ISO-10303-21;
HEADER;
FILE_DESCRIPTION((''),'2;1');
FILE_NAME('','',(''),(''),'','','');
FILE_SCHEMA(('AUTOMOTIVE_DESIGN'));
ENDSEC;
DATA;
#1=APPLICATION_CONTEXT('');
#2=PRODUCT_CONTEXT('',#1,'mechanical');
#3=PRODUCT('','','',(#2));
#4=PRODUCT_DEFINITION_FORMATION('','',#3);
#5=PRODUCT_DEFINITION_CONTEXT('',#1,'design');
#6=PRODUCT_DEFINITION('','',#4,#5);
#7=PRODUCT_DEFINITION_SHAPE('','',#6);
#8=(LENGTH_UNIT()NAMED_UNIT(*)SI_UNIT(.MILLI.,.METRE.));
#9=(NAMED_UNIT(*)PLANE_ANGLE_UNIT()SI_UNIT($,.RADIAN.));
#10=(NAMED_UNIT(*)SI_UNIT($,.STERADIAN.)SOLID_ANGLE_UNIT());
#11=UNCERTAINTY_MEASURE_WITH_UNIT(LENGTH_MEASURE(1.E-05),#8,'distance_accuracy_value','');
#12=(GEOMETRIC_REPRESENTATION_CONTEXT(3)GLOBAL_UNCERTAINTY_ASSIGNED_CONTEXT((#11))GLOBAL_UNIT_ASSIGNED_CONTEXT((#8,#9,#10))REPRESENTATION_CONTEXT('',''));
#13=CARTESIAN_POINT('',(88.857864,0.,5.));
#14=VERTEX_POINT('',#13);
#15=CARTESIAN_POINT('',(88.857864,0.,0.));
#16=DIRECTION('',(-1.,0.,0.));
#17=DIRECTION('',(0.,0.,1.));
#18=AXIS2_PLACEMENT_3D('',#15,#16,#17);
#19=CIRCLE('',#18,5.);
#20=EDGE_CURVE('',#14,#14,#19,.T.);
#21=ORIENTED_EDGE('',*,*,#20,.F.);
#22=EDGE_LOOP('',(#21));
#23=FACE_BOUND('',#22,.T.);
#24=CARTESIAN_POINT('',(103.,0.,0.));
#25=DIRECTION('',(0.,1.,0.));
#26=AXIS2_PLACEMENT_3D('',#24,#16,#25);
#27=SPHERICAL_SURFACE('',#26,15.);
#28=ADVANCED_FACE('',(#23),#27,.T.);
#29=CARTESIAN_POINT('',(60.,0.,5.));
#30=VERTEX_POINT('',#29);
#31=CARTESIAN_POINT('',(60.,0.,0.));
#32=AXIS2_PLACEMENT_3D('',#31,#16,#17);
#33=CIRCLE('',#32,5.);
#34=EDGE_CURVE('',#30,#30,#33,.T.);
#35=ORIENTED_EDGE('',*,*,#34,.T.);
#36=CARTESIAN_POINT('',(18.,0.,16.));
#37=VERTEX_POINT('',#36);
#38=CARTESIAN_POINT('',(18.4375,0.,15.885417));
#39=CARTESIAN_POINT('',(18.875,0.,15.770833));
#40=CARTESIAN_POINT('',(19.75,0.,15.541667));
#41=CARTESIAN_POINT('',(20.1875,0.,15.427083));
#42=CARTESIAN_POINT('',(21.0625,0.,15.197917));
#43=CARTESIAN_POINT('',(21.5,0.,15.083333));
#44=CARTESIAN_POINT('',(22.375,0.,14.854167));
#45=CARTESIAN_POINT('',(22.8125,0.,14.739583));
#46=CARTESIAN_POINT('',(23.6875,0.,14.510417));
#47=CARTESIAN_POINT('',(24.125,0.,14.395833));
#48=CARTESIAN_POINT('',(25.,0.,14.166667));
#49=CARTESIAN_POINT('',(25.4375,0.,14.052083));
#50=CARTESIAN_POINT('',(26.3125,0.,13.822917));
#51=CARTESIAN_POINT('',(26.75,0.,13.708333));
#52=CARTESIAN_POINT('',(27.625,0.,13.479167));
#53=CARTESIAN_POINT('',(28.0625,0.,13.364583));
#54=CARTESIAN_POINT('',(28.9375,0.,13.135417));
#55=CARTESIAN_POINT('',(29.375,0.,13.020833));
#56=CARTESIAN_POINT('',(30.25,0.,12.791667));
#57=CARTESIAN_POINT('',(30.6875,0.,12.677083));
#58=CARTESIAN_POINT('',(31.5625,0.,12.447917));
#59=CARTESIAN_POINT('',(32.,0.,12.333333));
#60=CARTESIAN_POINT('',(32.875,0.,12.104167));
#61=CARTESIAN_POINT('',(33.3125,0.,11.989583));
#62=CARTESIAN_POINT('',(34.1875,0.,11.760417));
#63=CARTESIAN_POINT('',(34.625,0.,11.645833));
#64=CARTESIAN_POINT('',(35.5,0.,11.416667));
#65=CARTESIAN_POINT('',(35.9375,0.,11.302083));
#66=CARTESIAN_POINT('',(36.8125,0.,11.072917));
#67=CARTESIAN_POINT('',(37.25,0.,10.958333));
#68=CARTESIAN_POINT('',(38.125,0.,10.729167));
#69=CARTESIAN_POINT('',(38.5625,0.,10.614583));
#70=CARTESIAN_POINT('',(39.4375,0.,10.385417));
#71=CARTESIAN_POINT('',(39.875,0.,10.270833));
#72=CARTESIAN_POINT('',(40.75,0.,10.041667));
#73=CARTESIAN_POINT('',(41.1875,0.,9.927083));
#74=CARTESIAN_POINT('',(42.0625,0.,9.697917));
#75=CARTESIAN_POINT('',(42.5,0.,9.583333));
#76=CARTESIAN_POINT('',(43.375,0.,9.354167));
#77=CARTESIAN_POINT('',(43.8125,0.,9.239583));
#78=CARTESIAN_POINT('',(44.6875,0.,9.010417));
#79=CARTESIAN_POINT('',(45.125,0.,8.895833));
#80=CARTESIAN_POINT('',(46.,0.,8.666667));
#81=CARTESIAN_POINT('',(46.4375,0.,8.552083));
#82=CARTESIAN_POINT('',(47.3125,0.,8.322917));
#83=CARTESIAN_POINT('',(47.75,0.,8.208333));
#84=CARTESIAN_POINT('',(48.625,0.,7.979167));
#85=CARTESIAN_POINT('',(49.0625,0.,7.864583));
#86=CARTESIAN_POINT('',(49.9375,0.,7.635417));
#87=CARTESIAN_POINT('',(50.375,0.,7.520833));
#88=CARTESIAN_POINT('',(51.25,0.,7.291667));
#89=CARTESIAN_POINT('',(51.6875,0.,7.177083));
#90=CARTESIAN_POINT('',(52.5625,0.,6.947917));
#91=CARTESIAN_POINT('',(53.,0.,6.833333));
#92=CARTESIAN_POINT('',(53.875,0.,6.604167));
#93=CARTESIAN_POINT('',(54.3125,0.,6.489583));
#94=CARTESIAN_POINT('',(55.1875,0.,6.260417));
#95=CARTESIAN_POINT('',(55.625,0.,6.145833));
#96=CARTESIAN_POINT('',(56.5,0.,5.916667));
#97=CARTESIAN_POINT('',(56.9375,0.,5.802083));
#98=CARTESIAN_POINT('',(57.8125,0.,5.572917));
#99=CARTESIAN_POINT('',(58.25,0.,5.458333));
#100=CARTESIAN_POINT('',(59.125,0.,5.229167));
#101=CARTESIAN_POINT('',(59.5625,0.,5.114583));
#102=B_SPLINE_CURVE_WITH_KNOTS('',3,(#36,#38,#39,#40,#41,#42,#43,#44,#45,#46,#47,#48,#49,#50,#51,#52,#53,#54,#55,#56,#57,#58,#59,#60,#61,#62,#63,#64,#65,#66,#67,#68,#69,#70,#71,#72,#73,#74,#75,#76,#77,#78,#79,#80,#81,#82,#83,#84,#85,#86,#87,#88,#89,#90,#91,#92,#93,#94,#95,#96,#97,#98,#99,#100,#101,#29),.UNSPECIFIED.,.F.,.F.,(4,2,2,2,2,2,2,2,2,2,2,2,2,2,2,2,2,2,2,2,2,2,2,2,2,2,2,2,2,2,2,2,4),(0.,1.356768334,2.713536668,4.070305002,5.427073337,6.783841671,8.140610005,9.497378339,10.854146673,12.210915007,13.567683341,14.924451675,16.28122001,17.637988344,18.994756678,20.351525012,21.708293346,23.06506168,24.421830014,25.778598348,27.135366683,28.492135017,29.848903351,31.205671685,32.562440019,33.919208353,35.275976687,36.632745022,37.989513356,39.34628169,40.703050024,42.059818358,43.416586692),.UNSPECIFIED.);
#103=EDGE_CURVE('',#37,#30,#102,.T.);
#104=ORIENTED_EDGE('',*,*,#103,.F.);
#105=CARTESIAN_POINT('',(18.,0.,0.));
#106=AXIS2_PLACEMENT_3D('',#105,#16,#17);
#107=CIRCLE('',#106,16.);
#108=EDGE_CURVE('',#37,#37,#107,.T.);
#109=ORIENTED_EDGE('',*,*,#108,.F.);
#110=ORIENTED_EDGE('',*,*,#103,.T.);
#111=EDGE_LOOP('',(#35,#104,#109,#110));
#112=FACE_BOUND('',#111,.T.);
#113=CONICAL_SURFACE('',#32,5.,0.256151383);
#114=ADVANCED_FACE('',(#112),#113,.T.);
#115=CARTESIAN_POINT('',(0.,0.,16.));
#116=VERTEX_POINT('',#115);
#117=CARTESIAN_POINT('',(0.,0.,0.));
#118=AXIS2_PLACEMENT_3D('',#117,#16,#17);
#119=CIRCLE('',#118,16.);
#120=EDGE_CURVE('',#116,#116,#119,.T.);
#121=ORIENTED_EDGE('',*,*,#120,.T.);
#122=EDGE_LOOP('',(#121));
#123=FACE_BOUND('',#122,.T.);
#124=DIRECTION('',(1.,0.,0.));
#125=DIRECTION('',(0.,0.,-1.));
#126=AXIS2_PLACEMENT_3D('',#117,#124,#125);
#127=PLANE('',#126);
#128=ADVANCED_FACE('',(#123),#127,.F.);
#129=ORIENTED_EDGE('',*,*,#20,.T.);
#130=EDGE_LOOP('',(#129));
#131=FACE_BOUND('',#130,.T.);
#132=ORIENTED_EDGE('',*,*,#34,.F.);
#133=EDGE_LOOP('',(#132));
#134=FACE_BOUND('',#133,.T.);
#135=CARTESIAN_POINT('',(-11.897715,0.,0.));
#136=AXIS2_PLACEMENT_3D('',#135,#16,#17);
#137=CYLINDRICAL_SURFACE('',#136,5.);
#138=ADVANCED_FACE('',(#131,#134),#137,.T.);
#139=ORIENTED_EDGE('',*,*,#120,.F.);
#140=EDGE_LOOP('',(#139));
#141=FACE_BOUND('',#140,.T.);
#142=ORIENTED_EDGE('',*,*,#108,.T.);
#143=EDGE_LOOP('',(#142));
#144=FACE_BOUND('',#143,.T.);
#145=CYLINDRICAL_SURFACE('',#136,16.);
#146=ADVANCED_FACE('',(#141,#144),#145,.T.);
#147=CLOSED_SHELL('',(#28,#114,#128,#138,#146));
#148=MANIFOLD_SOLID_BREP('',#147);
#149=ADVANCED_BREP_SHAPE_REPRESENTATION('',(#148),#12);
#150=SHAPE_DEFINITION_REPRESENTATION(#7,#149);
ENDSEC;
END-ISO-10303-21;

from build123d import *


with BuildPart() as part:
    # Esquisse1 → Révolution1 (revolve)
    with BuildSketch(Plane.XY, mode=Mode.PRIVATE) as r_volution1_sk:
        with BuildLine():
            Line((0, 0), (0, 16))
            Line((0, 16), (18, 16))
            Line((18, 16), (60, 5))
            Line((60, 5), (88.857864376, 5))
            ThreePointArc((88.857864376, 5), (105.536529681, 14.783978395), (118, 0))
            Line((118, 0), (0, 0))
        make_face()
    revolve(r_volution1_sk.sketch.rotate(Axis((-11.897715054, 0, 0), (1, 0, 0)), 90), axis=Axis((-11.897715054, 0, 0), (1, 0, 0)))


solid = part.part
